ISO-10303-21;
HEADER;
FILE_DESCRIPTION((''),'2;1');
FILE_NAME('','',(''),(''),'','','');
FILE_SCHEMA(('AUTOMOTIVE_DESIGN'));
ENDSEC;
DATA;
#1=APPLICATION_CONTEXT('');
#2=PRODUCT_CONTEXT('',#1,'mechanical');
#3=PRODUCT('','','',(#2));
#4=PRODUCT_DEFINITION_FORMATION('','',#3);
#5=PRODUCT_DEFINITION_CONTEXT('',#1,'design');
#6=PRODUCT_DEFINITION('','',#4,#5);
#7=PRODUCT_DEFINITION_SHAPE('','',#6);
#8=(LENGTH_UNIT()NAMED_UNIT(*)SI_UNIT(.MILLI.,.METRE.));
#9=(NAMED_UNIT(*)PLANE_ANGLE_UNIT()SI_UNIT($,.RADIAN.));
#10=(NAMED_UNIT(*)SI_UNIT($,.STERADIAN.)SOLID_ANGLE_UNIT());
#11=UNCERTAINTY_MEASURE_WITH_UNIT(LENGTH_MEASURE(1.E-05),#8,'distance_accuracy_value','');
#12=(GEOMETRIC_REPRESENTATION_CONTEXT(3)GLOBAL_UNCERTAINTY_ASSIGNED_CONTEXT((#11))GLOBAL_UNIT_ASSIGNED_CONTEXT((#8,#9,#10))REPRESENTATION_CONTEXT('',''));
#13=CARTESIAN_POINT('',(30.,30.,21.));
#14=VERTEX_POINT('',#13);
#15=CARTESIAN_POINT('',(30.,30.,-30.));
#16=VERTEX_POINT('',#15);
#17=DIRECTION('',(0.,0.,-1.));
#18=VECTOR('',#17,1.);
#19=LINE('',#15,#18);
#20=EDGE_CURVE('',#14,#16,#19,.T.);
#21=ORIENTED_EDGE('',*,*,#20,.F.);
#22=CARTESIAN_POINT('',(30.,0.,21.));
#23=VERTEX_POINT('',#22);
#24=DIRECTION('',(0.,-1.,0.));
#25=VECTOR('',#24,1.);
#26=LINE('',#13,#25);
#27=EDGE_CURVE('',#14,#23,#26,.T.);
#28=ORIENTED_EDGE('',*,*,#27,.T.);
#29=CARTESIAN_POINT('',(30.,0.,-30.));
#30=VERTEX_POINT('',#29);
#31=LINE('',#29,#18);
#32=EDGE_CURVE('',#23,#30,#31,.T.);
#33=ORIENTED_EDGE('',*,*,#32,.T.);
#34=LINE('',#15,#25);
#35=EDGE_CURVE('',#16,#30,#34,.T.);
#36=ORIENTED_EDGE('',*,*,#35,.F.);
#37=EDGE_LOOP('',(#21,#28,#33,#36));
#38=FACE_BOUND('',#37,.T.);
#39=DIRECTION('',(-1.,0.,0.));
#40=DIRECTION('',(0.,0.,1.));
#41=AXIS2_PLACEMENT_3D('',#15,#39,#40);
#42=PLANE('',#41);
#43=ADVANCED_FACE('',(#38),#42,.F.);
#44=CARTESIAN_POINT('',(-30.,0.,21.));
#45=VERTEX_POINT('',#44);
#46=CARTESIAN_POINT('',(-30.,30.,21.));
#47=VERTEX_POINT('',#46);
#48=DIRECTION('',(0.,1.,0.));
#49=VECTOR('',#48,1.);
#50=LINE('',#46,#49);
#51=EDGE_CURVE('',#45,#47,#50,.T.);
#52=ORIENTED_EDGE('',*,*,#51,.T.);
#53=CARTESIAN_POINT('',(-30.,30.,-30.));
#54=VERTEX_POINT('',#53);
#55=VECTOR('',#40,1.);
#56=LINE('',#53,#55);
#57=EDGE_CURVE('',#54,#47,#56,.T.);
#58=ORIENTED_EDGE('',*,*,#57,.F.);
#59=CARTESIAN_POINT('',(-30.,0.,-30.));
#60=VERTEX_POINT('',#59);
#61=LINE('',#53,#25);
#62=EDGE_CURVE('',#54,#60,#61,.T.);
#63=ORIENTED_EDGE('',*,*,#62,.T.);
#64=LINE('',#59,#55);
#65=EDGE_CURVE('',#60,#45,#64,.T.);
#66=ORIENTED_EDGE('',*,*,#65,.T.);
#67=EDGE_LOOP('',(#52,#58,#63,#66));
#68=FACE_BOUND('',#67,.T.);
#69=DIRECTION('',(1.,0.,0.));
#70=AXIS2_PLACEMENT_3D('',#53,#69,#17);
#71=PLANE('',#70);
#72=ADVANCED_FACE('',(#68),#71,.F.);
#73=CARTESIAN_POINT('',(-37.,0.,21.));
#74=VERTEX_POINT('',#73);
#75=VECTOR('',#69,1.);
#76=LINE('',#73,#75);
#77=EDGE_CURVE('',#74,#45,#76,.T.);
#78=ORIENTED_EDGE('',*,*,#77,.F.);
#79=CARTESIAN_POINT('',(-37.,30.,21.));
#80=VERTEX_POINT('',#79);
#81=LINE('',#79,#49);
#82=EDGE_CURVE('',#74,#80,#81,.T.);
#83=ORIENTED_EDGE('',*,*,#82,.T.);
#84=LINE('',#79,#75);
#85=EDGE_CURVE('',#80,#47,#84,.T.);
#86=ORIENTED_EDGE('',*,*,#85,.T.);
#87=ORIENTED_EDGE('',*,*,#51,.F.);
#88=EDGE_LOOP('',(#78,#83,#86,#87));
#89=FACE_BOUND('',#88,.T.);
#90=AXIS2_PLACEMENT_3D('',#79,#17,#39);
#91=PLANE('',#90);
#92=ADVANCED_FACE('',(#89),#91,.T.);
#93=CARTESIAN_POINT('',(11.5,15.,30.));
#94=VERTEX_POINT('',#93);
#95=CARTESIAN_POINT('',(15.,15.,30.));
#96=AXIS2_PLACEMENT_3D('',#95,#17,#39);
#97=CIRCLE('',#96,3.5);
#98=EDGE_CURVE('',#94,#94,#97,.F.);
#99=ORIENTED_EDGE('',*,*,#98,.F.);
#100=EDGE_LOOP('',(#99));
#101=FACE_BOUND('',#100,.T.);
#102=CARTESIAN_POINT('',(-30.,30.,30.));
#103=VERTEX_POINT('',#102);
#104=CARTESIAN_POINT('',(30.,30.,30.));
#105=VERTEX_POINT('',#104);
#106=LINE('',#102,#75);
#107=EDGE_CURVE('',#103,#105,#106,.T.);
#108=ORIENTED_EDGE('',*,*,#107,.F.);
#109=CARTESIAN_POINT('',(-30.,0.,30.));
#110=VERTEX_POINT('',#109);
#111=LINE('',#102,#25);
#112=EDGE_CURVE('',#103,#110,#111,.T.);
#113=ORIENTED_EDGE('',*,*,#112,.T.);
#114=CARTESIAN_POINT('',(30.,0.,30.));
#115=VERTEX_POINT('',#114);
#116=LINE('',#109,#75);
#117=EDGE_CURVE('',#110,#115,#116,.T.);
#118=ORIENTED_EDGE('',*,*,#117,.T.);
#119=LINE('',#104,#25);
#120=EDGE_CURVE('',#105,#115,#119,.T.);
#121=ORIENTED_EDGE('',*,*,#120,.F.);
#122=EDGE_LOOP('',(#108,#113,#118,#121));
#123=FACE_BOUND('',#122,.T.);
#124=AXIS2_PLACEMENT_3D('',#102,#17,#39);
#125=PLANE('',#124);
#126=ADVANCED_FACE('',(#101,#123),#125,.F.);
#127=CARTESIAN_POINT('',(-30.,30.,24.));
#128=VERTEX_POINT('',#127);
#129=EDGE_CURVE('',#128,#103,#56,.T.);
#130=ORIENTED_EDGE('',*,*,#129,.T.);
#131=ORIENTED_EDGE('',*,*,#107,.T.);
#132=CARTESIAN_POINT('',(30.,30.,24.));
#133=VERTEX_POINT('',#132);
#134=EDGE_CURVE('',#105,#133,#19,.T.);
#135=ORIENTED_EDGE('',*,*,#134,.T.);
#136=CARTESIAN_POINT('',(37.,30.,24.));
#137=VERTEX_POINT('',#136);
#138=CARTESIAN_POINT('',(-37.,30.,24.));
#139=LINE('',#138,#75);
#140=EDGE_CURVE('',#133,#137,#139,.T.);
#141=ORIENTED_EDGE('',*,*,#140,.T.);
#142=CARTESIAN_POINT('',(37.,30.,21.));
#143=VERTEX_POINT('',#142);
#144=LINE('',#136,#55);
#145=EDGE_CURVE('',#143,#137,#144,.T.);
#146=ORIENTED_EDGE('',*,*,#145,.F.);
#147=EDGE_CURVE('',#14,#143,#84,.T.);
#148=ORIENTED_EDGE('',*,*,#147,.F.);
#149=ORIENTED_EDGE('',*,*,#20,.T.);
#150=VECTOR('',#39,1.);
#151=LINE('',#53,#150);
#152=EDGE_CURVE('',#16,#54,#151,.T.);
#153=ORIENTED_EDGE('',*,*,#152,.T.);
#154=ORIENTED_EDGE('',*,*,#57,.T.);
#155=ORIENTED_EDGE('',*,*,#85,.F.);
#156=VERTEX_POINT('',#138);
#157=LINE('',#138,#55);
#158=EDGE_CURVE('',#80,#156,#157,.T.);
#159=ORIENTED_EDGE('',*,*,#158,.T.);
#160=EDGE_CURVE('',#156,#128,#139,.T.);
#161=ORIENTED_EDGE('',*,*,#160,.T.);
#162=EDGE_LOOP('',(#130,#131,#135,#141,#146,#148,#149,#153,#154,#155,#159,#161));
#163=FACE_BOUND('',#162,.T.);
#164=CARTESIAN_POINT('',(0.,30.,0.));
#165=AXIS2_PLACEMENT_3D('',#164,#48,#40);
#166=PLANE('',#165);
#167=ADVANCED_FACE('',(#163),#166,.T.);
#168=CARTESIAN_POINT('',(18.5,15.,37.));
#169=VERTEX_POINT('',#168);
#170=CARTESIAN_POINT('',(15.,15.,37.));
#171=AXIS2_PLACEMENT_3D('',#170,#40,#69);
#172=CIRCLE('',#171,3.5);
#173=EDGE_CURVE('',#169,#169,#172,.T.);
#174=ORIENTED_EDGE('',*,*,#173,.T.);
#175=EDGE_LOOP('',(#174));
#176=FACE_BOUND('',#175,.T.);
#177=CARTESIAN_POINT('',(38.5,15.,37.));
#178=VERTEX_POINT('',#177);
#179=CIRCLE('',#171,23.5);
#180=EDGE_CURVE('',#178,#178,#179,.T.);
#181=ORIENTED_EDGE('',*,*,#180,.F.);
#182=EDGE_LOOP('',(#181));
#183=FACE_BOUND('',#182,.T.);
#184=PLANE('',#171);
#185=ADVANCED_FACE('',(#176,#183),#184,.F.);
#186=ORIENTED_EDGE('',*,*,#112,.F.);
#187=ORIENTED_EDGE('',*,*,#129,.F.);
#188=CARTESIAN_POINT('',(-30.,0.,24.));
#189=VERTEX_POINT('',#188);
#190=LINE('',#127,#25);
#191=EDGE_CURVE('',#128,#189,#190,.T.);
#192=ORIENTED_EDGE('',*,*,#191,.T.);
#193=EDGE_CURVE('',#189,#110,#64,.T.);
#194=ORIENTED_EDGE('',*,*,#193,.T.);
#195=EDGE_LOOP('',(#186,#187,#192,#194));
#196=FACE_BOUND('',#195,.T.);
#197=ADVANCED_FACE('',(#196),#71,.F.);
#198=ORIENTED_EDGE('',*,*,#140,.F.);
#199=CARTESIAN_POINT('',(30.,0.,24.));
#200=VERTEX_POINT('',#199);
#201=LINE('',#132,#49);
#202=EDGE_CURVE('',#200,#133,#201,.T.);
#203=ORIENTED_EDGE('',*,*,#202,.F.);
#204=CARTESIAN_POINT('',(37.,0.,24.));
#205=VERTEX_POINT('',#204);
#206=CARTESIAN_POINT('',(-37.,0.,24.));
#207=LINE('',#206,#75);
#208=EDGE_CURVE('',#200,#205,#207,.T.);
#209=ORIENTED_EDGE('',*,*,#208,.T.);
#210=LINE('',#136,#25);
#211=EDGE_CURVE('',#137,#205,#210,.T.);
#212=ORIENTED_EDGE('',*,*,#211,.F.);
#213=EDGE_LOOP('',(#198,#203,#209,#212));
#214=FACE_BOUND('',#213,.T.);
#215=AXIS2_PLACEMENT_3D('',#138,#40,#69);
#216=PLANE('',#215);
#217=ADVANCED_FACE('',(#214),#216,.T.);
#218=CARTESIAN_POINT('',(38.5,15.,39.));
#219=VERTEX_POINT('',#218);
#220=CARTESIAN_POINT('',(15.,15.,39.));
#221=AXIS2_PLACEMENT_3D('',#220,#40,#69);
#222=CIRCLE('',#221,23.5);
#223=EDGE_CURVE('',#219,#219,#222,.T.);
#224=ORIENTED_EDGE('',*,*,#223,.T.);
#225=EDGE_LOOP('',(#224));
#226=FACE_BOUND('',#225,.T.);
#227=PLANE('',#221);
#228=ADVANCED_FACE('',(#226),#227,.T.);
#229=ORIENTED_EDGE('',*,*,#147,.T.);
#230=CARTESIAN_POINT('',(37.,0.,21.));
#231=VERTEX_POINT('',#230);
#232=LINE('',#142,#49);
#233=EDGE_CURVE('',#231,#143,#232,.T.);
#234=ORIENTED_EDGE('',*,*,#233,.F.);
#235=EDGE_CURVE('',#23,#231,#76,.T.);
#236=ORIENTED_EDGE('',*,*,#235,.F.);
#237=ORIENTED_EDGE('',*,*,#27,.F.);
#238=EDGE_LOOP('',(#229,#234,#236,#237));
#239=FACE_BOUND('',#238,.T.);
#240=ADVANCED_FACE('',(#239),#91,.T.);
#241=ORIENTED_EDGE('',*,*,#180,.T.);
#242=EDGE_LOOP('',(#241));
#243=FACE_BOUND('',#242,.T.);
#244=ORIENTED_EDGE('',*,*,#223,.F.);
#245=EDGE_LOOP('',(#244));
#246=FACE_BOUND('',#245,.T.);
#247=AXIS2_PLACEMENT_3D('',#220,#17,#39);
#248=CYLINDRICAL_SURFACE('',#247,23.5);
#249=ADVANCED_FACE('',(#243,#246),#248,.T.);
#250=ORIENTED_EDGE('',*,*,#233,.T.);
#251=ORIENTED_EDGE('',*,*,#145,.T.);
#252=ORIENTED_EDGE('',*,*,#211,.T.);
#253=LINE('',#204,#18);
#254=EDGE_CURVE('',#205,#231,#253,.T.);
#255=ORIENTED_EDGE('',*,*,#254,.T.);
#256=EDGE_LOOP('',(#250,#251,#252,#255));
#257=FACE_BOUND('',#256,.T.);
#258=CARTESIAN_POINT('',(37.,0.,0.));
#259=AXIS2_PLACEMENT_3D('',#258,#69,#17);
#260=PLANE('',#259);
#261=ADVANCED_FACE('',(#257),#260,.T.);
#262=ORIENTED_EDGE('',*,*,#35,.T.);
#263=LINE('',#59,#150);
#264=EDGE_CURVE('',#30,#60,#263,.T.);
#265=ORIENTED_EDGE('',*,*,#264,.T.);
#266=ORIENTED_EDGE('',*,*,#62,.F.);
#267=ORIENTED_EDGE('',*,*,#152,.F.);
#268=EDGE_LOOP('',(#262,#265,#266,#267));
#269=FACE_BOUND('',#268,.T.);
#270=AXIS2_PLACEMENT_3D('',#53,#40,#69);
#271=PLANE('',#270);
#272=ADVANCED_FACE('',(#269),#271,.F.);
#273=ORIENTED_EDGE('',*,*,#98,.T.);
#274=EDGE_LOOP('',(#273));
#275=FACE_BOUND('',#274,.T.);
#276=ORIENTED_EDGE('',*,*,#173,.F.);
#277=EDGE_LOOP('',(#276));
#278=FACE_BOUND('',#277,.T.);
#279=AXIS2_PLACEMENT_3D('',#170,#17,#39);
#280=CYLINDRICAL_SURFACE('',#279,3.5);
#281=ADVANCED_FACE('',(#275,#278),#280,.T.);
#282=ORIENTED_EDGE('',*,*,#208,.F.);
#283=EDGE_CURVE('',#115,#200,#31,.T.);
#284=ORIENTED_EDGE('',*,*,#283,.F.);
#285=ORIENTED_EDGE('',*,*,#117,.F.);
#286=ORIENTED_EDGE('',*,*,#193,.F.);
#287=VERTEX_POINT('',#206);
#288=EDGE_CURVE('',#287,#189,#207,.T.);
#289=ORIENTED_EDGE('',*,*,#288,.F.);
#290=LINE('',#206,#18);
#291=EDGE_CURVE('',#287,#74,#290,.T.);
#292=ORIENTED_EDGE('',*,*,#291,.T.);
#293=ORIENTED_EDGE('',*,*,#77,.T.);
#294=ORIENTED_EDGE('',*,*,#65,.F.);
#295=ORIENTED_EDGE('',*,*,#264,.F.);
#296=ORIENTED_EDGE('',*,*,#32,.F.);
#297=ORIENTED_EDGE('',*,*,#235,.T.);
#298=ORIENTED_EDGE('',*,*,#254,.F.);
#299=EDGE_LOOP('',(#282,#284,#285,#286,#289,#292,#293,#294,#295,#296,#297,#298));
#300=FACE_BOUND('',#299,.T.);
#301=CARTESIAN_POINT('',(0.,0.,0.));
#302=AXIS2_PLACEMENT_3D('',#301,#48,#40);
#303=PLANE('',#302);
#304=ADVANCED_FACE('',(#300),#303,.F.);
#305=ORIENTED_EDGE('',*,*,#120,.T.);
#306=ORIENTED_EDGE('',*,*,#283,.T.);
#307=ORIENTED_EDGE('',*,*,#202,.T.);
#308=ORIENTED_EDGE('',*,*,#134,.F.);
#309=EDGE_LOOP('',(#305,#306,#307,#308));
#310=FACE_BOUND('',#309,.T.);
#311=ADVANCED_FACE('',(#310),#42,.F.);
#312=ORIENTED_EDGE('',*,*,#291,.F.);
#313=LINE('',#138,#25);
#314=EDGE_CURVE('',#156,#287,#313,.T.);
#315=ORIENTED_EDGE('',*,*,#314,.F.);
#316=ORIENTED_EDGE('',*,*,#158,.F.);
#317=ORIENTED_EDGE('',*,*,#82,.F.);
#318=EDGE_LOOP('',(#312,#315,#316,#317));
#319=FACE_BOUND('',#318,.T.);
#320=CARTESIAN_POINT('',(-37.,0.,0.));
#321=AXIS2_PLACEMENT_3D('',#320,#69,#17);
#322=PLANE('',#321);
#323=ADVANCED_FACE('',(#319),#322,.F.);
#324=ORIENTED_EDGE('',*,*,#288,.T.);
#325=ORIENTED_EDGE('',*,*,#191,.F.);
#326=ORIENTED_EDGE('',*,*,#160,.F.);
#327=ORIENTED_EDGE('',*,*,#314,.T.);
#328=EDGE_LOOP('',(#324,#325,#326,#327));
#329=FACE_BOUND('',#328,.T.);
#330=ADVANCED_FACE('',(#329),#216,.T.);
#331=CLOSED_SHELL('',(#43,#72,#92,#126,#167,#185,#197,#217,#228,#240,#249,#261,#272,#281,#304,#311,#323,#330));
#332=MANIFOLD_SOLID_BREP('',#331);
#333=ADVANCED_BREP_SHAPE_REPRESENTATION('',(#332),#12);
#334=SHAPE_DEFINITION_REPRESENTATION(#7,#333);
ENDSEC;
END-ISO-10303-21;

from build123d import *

# Parameters (mm, degrees)
SKETCH_1_W           = 60
SKETCH_1_H           = 60
EXTRUDE_2_DEPTH      = 30
SKETCH_3_R           = 3.5
EXTRUDE_3_DEPTH      = 7
SKETCH_4_R           = 23.5
EXTRUDE_4_DEPTH      = 2
EXTRUDE_5_DEPTH      = 7
EXTRUDE_5_DEPTH_BACK = 67
SKETCH_5_W           = 3
SKETCH_5_H           = 30


with BuildPart() as part:
    # 草图1 → 凸台-拉伸2 (new body)
    with BuildSketch(Plane(origin=(0, 0, 0), x_dir=(1, 0, 0), z_dir=(0, 1, 0))):
        Rectangle(SKETCH_1_W, SKETCH_1_H)
    extrude(amount=EXTRUDE_2_DEPTH)

    # 草图3 → 凸台-拉伸3 (add)
    with BuildSketch(Plane.XY.offset(30)):
        with Locations(Location((15, 15, 0), (0, 0, 180))):
            Circle(SKETCH_3_R)
    extrude(amount=EXTRUDE_3_DEPTH)

    # 草图4 → 凸台-拉伸4 (add)
    with BuildSketch(Plane.XY.offset(37)):
        with Locations((15, 15)):
            Circle(SKETCH_4_R)
    extrude(amount=EXTRUDE_4_DEPTH)

    # 草图5 → 凸台-拉伸5 (add, two sides: drawn at the far end of the back side and taken through both)
    with BuildSketch(Plane(origin=(30, 0, 0), x_dir=(0, 0, -1), z_dir=(1, 0, 0)).offset(-EXTRUDE_5_DEPTH_BACK)):
        with Locations((-22.5, 15)):
            Rectangle(SKETCH_5_W, SKETCH_5_H)
    extrude(amount=EXTRUDE_5_DEPTH + EXTRUDE_5_DEPTH_BACK)


solid = part.part
